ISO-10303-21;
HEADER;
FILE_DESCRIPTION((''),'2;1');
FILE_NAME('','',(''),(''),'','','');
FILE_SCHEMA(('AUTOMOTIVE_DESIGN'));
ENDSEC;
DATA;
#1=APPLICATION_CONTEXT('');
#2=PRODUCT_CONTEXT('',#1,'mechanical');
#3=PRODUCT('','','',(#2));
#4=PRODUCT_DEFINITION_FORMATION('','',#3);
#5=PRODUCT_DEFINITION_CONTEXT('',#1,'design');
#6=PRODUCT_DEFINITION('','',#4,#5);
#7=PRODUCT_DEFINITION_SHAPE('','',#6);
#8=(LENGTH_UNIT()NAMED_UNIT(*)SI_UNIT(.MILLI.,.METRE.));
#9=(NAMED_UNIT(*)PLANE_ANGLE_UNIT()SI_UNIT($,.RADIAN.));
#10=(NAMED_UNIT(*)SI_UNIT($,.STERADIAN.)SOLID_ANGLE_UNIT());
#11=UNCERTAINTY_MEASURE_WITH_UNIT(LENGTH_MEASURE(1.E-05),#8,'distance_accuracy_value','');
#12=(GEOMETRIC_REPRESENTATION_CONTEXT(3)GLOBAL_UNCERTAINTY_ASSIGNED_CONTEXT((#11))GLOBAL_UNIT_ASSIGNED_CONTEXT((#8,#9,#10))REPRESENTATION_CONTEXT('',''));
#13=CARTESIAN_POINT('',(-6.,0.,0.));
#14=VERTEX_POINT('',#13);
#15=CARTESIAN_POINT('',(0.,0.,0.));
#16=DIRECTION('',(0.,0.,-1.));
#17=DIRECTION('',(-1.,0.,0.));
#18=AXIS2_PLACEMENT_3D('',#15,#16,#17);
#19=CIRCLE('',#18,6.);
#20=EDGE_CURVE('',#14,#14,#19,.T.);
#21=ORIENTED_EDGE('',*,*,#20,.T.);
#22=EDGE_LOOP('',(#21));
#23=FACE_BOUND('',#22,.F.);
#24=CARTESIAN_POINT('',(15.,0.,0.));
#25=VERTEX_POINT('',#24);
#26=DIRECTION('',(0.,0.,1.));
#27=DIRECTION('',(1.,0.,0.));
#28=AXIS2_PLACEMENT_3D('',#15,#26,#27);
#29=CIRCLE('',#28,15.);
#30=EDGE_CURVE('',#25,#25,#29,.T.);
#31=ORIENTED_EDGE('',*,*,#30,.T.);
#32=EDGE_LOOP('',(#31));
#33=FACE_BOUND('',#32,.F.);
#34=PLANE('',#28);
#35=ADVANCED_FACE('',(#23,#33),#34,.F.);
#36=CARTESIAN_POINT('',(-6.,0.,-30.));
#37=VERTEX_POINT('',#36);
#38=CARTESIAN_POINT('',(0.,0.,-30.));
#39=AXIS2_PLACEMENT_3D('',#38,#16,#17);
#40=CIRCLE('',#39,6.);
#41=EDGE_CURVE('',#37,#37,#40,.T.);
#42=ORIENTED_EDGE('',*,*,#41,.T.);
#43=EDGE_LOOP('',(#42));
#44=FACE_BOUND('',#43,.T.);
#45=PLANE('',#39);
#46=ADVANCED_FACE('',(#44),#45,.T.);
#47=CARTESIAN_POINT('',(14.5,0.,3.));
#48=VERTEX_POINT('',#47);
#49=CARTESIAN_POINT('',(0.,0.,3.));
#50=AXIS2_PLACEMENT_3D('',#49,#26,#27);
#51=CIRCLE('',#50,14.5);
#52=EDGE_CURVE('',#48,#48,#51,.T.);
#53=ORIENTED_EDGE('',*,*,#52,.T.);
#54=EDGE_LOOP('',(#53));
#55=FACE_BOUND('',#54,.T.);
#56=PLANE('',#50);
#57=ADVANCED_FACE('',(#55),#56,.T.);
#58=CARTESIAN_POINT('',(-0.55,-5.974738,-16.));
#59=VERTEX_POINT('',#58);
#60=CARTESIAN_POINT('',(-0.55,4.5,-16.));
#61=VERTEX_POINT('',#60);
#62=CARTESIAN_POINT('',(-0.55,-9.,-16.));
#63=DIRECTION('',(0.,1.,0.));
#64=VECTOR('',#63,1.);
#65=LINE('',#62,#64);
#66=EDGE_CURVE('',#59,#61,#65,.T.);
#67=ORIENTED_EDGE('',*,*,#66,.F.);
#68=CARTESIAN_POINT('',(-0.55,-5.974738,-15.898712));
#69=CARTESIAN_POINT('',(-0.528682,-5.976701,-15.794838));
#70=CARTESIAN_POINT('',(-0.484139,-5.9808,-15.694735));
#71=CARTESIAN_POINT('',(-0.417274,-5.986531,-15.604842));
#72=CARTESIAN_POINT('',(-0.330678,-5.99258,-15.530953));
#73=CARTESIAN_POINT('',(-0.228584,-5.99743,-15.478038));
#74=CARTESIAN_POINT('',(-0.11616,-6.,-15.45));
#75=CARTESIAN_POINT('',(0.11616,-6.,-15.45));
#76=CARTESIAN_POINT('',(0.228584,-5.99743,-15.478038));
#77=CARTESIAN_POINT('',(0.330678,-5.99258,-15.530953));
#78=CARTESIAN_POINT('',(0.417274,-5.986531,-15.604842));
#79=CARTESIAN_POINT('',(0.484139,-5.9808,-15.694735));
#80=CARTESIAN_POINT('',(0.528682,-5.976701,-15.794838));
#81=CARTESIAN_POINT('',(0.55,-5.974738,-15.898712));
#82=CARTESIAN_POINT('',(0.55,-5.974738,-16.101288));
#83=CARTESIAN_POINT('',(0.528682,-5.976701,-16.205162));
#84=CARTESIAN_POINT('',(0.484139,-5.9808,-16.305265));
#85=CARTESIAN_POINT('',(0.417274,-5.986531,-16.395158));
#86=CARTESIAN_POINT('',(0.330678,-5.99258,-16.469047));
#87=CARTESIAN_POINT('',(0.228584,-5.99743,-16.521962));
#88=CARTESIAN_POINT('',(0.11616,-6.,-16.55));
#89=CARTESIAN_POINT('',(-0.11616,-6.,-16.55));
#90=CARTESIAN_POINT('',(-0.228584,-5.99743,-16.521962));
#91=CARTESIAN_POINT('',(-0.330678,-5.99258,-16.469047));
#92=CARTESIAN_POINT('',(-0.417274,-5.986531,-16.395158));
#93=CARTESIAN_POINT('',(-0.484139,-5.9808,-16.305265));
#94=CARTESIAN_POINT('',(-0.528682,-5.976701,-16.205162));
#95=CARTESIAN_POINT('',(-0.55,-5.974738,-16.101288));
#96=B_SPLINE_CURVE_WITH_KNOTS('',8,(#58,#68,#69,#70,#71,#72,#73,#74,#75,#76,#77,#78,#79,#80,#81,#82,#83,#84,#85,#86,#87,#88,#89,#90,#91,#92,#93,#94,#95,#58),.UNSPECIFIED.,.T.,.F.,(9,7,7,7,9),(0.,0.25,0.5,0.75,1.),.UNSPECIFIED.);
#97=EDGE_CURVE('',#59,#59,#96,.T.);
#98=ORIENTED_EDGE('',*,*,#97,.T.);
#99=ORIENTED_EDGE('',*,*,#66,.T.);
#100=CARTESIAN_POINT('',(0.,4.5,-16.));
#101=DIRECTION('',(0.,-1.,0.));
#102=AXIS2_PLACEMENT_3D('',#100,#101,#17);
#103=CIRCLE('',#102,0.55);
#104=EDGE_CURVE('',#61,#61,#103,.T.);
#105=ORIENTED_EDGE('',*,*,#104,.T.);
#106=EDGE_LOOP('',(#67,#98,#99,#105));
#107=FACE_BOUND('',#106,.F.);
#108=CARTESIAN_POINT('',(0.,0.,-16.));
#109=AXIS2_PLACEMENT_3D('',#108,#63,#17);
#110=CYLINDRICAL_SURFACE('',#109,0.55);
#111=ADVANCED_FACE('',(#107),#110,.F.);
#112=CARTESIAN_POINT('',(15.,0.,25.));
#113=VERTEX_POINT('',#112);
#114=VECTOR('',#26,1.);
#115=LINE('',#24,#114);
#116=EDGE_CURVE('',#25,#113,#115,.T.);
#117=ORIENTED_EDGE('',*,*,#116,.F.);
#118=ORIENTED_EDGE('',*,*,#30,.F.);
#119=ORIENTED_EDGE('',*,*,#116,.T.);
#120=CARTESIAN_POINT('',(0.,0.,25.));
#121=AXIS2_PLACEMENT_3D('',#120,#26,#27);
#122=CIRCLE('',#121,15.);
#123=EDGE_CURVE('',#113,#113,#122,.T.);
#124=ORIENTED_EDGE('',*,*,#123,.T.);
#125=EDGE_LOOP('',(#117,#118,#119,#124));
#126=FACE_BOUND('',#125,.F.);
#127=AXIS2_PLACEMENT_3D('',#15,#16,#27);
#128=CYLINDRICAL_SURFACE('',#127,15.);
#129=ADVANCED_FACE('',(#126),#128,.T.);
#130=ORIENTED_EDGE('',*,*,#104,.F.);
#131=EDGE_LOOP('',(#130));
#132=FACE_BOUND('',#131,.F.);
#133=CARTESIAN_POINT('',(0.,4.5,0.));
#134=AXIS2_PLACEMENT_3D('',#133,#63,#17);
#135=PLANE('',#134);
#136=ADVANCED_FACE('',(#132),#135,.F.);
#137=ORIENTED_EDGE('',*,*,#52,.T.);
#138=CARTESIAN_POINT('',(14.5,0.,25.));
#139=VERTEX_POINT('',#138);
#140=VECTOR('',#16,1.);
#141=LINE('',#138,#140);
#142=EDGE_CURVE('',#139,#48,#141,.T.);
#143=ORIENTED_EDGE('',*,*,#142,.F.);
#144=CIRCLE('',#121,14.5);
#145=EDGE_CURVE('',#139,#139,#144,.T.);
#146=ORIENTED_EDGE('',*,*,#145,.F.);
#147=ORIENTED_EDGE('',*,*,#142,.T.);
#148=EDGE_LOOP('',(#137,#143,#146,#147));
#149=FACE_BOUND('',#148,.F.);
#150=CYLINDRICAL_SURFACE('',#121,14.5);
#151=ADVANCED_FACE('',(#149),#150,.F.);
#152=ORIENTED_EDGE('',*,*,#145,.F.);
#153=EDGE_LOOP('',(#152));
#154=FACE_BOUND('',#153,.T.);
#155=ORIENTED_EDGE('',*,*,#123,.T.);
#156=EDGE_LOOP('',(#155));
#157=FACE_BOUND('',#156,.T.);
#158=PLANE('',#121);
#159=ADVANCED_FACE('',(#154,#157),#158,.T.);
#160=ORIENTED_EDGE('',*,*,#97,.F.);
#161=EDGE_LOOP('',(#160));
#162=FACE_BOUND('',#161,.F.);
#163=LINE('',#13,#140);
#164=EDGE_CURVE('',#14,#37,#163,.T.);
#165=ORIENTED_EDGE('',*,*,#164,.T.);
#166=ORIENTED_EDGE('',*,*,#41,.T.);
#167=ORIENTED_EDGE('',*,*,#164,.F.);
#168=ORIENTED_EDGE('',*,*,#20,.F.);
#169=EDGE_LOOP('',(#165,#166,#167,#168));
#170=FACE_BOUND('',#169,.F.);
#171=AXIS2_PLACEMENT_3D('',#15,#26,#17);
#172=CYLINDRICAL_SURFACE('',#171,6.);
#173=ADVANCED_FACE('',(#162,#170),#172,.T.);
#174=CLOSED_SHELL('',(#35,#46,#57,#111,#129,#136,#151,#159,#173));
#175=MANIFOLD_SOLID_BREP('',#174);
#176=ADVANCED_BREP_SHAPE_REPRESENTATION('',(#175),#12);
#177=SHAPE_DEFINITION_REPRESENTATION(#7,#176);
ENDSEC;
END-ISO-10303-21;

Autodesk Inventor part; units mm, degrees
ref_plane "YZ Plane" through (0, 0, 0) normal (1, 0, 0) x (0, 1, 0)
ref_plane "XZ Plane" through (0, 0, 0) normal (0, 1, 0) x (-1, 0, 0)
ref_plane "XY Plane" through (0, 0, 0) normal (0, 0, 1) x (1, 0, 0)
sketch "Sketch1" plane through (0, 0, 0) normal (0, 0, 1) x (1, 0, 0)
  circle A0 centre (0, 0) radius 15
  dimension "d0" = 30
extrude "Extrusion1" add sketch "Sketch1" along normal blind 25
sketch "Sketch2" plane through (0, 0, 25) normal (0, 0, 1) x (1, 0, 0)
  circle A0 centre (0, 0) radius 14.5
  dimension "d3" = 29
extrude "Extrusion2" cut sketch "Sketch2" along normal blind 22
sketch "Sketch3" plane through (0, 0, 25) normal (0, 0, 1) x (1, 0, 0)
  circle A0 centre (0, 0) radius 14.5
  dimension "d6" = 29
extrude "Extrusion3" cut sketch "Sketch3" against normal blind 22
thread "Thread1" size "M30x3.5" class "6H" standard "ANSI Metric M Profile" full length
sketch "Sketch4" plane through (0, 0, 0) normal (0, 0, -1) x (-1, 0, 0)
  circle A0 centre (0, 0) radius 6
  circle A1 centre (0, 0) radius 5
  dimension "d24" = 12
  dimension "d25" = 10
extrude "Extrusion4" add sketch "Sketch4" along normal blind 30 contours A0 | A1
sketch "Sketch5" plane through (0, 0, -30) normal (0, 0, -1) x (-1, 0, 0)
  point P0 (0, 0)
sketch "Sketch6" plane through (0, 0, 0) normal (0, 1, 0) x (-1, 0, 0)
  line L0 (-3.5, -20) -> (3.5, -20) projected
  line L1 (0, -20) -> (0, -16)
  circle A0 centre (0, -16) radius 0.55
  point P0 (0, 0)
  dimension "d14" = 4
  dimension "d15" = 1.1
extrude "Extrusion5" cut sketch "Sketch6" against normal blind 9 and the other way blind 4.5
sketch "Sketch7" plane through (0, 0, -30) normal (0, 0, -1) x (-1, 0, 0)
  point P0 (0, 0)
extrude "Extrusion6" [suppressed]
properties part number "CAPPER"
